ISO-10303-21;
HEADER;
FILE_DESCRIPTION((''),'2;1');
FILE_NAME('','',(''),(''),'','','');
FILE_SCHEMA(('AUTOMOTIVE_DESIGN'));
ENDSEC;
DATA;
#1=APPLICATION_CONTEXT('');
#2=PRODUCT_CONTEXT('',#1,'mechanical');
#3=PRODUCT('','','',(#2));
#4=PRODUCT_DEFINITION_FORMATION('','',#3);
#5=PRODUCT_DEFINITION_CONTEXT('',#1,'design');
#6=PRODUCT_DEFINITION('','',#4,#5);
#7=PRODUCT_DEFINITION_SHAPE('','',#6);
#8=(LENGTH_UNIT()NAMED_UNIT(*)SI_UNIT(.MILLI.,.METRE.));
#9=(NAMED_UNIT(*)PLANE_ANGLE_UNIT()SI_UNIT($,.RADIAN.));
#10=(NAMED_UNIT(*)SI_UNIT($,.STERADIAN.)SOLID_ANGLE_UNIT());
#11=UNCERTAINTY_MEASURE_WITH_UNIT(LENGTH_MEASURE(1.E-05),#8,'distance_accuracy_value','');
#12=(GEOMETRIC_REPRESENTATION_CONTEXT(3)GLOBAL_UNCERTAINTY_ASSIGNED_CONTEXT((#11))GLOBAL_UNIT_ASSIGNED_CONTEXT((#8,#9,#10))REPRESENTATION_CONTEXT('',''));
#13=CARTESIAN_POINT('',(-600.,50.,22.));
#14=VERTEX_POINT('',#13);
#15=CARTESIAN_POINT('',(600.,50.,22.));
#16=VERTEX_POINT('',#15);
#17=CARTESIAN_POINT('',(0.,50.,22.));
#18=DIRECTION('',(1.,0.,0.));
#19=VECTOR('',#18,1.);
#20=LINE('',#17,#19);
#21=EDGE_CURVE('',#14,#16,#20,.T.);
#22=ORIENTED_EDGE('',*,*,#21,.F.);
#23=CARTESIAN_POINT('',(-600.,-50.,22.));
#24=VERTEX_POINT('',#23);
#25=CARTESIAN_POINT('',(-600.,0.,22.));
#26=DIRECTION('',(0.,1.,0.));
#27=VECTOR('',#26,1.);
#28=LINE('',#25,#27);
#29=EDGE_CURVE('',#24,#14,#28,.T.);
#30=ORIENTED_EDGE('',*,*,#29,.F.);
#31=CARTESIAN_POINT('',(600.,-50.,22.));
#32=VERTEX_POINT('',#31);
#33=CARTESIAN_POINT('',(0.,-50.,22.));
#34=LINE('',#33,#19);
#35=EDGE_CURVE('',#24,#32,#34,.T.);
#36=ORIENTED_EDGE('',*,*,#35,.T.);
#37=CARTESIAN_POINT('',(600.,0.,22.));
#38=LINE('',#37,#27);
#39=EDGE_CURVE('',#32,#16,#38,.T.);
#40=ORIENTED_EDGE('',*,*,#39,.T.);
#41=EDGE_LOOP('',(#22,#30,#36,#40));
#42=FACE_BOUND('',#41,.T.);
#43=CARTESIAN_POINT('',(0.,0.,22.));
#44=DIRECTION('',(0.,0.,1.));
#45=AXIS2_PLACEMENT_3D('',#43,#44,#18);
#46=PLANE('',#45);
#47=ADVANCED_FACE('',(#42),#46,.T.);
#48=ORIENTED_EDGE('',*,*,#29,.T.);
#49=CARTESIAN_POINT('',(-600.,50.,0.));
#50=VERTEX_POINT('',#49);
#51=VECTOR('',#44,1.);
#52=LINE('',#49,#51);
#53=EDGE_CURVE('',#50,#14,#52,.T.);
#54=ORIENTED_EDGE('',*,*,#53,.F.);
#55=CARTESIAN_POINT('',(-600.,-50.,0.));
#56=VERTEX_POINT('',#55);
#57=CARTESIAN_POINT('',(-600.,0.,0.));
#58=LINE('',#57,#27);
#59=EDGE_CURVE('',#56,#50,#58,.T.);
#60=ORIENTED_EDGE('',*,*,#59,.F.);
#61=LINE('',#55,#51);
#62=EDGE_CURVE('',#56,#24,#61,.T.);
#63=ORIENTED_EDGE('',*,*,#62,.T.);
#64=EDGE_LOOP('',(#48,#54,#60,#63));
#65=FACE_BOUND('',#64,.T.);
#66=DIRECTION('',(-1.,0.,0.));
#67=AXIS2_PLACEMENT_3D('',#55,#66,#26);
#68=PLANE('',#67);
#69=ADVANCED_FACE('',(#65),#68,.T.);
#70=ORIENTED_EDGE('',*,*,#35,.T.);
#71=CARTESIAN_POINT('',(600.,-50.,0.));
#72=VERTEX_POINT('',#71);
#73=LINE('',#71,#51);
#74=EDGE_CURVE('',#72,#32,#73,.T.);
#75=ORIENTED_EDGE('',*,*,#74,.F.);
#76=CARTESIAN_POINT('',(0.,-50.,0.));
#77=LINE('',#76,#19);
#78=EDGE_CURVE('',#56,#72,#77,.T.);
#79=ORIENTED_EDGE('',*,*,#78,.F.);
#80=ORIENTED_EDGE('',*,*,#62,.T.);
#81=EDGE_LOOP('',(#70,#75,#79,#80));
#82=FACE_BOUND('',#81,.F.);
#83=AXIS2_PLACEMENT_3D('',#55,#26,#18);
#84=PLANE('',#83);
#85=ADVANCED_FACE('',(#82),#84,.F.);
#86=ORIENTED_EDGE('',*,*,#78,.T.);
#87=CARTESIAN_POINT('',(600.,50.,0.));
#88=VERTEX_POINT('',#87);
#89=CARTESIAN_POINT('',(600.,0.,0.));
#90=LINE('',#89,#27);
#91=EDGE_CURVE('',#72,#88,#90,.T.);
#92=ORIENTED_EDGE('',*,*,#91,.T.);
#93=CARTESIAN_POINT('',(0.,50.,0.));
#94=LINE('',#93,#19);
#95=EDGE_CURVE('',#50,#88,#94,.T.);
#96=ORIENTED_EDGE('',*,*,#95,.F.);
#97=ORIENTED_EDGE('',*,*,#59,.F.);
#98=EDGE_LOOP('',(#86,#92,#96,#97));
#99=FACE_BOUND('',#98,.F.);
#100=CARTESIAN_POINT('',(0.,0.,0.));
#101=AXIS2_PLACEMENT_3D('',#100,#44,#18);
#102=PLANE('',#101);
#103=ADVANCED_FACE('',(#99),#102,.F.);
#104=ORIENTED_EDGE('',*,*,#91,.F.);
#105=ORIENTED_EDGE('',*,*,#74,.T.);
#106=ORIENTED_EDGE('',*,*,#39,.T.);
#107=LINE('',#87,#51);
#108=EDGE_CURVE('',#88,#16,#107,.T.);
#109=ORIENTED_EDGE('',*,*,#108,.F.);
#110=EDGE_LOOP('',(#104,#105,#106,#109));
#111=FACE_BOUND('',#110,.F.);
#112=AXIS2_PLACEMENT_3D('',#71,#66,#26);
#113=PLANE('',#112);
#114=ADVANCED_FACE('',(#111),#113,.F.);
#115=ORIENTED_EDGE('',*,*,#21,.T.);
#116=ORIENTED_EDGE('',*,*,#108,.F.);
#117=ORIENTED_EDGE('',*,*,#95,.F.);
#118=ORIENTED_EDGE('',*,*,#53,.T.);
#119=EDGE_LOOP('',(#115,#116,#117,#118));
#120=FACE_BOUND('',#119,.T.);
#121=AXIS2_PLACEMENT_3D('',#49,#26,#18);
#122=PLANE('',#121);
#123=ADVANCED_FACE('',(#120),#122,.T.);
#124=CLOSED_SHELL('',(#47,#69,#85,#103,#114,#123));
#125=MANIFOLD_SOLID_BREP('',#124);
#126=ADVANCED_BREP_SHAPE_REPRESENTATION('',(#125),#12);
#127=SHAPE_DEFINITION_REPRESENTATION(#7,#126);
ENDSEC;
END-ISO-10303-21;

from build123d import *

# Parameters (mm, degrees)
SKETCH1_W           = 1200
SKETCH1_H           = 100
BOSS_EXTRUDE1_DEPTH = 22


with BuildPart() as part:
    # Sketch1 → Boss-Extrude1 (new body)
    with BuildSketch(Plane.XY):
        Rectangle(SKETCH1_W, SKETCH1_H)
    extrude(amount=BOSS_EXTRUDE1_DEPTH)


solid = part.part
